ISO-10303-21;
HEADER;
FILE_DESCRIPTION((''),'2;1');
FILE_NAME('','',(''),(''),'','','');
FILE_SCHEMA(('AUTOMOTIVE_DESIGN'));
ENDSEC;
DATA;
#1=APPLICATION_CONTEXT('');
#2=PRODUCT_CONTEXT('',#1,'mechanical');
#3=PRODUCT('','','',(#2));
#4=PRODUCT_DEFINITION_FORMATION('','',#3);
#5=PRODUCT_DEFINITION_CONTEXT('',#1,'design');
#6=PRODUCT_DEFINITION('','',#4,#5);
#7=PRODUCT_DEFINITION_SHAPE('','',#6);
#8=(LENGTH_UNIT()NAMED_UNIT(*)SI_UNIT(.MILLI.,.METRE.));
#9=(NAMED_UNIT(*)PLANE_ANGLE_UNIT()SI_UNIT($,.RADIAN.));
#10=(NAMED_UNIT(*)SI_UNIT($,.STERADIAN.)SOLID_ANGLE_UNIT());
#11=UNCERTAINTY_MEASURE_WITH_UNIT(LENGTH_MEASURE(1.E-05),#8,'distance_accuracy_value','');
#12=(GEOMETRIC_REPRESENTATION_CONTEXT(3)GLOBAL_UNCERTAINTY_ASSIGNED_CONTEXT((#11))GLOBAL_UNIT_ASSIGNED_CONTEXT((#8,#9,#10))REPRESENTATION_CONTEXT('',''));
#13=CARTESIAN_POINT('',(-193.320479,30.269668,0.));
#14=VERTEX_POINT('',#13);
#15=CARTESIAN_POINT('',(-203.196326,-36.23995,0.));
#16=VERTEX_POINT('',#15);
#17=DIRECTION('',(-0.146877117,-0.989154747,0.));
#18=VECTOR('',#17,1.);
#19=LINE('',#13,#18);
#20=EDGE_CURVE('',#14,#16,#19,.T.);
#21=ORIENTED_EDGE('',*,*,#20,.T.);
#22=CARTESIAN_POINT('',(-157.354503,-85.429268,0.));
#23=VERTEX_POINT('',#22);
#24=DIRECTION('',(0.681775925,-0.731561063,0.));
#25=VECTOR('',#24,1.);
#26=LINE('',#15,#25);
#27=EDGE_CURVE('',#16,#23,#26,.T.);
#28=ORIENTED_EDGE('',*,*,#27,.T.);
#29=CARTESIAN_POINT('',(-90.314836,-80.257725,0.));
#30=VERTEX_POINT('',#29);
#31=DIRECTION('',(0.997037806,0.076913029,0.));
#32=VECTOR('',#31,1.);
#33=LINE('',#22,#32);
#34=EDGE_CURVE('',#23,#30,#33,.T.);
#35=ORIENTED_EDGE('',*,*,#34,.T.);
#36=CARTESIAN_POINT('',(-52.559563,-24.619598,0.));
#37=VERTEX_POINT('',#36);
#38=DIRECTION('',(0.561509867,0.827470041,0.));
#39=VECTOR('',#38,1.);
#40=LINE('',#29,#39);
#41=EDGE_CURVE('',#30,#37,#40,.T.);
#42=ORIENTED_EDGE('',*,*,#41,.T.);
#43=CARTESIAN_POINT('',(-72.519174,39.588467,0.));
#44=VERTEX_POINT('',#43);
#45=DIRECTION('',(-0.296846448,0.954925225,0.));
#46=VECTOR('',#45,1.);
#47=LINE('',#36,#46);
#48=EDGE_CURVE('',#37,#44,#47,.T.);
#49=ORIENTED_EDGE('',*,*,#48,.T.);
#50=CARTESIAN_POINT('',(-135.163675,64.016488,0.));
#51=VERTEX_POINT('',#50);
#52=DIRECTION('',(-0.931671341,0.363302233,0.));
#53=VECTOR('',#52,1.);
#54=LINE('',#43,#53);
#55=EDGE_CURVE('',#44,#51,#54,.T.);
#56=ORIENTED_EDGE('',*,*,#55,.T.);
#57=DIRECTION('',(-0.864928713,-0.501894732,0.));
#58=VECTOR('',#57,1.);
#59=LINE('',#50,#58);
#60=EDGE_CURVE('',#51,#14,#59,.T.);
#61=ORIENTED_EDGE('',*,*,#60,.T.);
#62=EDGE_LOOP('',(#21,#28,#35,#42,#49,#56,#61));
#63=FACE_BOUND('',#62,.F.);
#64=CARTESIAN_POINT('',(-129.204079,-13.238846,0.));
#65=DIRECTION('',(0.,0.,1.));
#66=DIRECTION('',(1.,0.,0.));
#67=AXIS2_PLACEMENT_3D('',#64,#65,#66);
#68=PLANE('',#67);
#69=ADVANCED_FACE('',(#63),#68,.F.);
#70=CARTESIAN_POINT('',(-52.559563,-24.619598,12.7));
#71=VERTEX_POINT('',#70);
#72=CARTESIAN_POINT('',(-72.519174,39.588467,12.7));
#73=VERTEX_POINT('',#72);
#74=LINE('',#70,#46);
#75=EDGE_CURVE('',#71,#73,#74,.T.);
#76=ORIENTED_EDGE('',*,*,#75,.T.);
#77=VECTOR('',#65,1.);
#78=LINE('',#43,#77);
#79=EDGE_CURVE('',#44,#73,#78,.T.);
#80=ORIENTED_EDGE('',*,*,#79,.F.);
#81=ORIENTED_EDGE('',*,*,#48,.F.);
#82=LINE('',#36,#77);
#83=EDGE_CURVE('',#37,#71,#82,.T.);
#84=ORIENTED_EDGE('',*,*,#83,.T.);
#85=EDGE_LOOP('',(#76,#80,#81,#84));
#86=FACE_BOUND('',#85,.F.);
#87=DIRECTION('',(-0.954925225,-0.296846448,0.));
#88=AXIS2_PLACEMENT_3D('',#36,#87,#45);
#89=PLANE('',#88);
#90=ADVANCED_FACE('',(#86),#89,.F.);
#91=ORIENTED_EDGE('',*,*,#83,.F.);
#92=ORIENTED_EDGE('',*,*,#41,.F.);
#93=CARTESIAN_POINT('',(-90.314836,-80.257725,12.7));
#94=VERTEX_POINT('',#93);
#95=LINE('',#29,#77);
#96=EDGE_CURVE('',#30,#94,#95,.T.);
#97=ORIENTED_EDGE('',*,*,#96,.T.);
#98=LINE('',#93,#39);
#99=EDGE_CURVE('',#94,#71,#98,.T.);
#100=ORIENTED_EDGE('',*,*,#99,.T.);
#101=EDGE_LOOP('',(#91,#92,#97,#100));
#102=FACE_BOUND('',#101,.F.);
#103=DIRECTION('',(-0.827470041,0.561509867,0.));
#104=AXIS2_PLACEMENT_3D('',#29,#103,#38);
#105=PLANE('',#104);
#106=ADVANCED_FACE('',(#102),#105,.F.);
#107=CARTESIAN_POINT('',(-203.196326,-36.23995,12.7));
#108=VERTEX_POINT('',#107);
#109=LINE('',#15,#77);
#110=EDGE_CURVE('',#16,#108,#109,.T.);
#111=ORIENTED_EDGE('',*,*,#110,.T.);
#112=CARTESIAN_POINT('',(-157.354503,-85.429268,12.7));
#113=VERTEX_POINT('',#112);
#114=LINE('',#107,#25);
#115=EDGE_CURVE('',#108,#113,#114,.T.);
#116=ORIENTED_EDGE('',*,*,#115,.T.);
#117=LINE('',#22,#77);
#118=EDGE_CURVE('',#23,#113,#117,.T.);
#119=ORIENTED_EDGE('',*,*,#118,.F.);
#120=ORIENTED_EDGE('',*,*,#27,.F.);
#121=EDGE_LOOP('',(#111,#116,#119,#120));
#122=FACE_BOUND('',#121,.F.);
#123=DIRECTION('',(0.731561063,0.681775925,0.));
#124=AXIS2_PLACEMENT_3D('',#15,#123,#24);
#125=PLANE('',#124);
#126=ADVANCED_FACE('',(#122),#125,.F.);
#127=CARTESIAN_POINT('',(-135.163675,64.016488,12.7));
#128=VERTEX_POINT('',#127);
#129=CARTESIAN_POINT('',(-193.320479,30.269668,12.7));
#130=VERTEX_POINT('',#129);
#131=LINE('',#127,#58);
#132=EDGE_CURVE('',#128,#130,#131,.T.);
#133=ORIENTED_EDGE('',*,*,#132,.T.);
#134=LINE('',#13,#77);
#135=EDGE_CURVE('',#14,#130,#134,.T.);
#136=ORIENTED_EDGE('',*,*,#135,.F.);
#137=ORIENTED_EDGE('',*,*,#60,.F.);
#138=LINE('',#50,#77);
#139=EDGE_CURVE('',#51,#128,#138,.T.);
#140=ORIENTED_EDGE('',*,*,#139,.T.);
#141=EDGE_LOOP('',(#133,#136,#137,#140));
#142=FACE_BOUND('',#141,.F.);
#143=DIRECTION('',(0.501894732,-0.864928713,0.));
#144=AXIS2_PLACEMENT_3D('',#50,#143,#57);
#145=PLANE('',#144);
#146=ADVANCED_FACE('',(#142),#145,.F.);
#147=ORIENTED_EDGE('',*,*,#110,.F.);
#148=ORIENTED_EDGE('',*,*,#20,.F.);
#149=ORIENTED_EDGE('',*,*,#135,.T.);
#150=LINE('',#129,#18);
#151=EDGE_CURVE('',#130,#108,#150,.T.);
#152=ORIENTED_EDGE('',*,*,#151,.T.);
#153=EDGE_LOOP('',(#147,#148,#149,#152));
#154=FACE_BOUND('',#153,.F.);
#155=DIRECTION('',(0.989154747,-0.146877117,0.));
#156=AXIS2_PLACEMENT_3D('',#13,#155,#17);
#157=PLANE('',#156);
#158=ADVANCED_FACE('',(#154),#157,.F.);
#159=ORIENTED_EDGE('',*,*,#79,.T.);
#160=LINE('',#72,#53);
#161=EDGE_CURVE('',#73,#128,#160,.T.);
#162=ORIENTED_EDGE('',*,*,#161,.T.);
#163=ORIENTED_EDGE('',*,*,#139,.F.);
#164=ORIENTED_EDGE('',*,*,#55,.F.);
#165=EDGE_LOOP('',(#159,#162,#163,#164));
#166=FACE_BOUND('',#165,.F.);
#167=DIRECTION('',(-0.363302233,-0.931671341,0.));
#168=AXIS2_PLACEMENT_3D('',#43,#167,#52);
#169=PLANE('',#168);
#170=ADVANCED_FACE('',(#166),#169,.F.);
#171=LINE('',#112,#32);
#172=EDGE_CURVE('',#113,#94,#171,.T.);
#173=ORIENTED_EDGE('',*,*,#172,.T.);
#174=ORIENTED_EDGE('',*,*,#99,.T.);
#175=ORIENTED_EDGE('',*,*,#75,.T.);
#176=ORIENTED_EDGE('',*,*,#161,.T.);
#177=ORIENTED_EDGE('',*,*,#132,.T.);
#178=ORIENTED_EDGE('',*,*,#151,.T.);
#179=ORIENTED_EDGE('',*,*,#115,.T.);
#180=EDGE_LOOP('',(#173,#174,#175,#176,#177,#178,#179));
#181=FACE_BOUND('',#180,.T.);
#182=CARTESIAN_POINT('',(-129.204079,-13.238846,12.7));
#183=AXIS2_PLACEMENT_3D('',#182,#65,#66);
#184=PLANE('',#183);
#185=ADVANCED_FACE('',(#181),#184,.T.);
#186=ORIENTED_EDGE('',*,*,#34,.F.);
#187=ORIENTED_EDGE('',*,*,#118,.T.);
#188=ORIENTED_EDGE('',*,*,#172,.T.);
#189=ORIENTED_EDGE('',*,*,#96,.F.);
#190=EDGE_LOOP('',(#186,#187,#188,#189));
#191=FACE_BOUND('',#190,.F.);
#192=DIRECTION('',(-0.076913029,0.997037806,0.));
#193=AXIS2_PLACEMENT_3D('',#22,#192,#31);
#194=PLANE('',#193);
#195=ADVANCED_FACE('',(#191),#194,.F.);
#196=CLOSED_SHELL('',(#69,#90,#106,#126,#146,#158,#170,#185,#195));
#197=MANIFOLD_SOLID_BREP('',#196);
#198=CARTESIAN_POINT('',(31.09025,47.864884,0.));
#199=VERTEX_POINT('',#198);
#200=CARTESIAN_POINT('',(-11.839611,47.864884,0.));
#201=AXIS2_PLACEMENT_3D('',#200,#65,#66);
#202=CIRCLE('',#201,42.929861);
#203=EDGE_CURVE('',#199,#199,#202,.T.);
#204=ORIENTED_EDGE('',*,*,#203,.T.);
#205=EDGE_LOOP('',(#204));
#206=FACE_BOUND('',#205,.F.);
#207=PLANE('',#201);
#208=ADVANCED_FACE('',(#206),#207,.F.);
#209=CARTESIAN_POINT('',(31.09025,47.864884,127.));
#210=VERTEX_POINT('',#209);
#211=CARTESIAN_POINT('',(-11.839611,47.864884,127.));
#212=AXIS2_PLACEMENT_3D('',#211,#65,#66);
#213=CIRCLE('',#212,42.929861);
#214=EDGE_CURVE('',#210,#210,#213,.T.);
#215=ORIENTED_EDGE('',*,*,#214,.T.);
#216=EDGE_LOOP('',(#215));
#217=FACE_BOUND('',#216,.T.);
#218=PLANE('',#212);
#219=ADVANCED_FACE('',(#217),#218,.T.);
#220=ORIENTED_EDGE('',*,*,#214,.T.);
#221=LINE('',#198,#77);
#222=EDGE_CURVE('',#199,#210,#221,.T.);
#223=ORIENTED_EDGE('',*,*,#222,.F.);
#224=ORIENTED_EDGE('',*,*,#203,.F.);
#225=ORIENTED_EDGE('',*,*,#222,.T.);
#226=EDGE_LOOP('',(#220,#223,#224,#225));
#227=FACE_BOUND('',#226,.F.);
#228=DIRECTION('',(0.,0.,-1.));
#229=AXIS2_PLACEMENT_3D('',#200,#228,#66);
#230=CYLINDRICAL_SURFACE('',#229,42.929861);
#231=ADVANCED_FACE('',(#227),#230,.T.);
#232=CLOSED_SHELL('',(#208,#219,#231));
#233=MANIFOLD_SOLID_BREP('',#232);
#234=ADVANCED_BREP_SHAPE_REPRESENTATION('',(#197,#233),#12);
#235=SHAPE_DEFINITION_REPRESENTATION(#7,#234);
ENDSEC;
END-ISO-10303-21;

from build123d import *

# Parameters (mm, degrees)
F2_DEPTH = 12.7
F3_R     = 42.929861
F4_DEPTH = 127


with BuildPart() as f2:
    # F0 (on Top) → F2 (new body)
    with BuildSketch(Plane.XY):
        Polygon((-52.559563, -24.619598), (-72.519174, 39.588467), (-135.163675, 64.016488), (-193.320479, 30.269668), (-203.196326, -36.23995), (-157.354503, -85.429268), (-90.314836, -80.257725), align=None)
    extrude(amount=F2_DEPTH)


with BuildPart() as f4:
    # F3 (on Top) → F4 (new body)
    with BuildSketch(Plane.XY):
        with Locations((-11.839611, 47.864884)):
            Circle(F3_R)
    extrude(amount=F4_DEPTH)


solid = Compound([f2.part, f4.part])
